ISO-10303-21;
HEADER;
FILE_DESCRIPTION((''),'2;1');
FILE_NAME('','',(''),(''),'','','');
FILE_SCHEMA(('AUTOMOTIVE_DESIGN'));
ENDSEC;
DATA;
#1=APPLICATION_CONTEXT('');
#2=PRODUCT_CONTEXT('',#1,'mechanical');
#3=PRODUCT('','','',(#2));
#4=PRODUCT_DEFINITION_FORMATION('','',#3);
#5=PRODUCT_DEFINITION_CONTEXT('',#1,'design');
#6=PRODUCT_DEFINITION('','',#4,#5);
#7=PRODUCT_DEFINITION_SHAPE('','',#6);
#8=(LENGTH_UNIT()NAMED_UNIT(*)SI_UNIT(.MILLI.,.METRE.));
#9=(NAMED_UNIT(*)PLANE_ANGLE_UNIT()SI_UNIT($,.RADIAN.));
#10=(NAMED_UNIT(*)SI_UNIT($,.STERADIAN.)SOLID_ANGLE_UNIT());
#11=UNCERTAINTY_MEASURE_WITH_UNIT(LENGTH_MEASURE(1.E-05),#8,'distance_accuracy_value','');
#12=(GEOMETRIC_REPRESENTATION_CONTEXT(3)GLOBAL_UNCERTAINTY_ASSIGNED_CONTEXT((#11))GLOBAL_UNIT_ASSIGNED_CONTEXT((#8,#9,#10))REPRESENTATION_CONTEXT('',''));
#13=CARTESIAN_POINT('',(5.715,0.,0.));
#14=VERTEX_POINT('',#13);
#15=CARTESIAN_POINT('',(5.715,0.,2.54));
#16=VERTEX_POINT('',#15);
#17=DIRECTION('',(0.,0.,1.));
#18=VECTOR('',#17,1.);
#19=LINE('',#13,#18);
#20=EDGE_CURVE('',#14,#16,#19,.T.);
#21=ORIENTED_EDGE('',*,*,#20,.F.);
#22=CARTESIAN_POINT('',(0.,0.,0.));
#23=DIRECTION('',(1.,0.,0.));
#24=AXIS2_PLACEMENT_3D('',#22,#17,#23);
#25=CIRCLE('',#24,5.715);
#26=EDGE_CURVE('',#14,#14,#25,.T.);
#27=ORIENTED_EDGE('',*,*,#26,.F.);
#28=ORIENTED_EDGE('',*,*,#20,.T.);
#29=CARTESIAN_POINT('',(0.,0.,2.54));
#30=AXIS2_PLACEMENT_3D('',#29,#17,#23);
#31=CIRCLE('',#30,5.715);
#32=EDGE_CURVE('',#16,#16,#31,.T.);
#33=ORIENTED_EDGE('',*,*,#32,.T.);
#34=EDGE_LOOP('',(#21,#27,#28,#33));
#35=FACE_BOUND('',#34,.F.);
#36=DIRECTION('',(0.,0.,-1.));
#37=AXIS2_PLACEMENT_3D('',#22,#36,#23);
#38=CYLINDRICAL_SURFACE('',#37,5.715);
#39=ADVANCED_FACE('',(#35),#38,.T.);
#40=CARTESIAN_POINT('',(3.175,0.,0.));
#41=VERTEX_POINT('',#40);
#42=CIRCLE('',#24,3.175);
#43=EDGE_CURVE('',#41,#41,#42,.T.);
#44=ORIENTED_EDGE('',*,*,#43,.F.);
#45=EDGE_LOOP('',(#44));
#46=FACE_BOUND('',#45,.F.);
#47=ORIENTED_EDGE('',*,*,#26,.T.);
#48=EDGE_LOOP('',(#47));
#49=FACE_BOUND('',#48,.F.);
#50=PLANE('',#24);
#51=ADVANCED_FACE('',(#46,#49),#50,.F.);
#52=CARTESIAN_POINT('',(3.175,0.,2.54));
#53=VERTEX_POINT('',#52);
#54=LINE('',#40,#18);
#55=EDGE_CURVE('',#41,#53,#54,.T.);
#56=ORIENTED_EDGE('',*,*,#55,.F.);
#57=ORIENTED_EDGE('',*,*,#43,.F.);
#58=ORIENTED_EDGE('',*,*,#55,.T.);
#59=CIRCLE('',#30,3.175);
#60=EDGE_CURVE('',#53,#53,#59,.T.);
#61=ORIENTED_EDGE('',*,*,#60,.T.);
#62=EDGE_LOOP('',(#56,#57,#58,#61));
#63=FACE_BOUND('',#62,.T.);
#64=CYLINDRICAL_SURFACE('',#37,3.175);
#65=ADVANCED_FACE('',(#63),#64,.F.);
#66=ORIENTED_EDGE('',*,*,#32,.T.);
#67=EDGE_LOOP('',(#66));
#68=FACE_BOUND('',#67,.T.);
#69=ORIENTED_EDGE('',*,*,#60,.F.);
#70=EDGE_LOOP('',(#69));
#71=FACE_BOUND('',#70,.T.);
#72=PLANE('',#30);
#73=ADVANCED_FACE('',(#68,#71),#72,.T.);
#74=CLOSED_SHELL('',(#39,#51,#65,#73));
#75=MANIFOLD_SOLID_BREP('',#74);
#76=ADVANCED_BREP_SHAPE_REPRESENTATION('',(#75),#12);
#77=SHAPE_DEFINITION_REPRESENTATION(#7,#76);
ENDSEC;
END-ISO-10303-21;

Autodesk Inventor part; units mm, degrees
ref_plane "YZ Plane" through (0, 0, 0) normal (1, 0, 0) x (0, 1, 0)
ref_plane "XZ Plane" through (0, 0, 0) normal (0, 1, 0) x (-1, 0, 0)
ref_plane "XY Plane" through (0, 0, 0) normal (0, 0, 1) x (1, 0, 0)
sketch "Sketch1" plane through (0, 0, 0) normal (0, 0, 1) x (1, 0, 0)
  circle A0 centre (0, 0) radius 5.715
  circle A1 centre (0, 0) radius 3.175
  dimension "d0" = 11.43
  dimension "d1" = 6.35
extrude "Extrusion1" add sketch "Sketch1" along normal blind 2.54
properties part number "Rebuild Shooter NCDME075-0600 Cylinder Rod Seal" material "Rubber"
